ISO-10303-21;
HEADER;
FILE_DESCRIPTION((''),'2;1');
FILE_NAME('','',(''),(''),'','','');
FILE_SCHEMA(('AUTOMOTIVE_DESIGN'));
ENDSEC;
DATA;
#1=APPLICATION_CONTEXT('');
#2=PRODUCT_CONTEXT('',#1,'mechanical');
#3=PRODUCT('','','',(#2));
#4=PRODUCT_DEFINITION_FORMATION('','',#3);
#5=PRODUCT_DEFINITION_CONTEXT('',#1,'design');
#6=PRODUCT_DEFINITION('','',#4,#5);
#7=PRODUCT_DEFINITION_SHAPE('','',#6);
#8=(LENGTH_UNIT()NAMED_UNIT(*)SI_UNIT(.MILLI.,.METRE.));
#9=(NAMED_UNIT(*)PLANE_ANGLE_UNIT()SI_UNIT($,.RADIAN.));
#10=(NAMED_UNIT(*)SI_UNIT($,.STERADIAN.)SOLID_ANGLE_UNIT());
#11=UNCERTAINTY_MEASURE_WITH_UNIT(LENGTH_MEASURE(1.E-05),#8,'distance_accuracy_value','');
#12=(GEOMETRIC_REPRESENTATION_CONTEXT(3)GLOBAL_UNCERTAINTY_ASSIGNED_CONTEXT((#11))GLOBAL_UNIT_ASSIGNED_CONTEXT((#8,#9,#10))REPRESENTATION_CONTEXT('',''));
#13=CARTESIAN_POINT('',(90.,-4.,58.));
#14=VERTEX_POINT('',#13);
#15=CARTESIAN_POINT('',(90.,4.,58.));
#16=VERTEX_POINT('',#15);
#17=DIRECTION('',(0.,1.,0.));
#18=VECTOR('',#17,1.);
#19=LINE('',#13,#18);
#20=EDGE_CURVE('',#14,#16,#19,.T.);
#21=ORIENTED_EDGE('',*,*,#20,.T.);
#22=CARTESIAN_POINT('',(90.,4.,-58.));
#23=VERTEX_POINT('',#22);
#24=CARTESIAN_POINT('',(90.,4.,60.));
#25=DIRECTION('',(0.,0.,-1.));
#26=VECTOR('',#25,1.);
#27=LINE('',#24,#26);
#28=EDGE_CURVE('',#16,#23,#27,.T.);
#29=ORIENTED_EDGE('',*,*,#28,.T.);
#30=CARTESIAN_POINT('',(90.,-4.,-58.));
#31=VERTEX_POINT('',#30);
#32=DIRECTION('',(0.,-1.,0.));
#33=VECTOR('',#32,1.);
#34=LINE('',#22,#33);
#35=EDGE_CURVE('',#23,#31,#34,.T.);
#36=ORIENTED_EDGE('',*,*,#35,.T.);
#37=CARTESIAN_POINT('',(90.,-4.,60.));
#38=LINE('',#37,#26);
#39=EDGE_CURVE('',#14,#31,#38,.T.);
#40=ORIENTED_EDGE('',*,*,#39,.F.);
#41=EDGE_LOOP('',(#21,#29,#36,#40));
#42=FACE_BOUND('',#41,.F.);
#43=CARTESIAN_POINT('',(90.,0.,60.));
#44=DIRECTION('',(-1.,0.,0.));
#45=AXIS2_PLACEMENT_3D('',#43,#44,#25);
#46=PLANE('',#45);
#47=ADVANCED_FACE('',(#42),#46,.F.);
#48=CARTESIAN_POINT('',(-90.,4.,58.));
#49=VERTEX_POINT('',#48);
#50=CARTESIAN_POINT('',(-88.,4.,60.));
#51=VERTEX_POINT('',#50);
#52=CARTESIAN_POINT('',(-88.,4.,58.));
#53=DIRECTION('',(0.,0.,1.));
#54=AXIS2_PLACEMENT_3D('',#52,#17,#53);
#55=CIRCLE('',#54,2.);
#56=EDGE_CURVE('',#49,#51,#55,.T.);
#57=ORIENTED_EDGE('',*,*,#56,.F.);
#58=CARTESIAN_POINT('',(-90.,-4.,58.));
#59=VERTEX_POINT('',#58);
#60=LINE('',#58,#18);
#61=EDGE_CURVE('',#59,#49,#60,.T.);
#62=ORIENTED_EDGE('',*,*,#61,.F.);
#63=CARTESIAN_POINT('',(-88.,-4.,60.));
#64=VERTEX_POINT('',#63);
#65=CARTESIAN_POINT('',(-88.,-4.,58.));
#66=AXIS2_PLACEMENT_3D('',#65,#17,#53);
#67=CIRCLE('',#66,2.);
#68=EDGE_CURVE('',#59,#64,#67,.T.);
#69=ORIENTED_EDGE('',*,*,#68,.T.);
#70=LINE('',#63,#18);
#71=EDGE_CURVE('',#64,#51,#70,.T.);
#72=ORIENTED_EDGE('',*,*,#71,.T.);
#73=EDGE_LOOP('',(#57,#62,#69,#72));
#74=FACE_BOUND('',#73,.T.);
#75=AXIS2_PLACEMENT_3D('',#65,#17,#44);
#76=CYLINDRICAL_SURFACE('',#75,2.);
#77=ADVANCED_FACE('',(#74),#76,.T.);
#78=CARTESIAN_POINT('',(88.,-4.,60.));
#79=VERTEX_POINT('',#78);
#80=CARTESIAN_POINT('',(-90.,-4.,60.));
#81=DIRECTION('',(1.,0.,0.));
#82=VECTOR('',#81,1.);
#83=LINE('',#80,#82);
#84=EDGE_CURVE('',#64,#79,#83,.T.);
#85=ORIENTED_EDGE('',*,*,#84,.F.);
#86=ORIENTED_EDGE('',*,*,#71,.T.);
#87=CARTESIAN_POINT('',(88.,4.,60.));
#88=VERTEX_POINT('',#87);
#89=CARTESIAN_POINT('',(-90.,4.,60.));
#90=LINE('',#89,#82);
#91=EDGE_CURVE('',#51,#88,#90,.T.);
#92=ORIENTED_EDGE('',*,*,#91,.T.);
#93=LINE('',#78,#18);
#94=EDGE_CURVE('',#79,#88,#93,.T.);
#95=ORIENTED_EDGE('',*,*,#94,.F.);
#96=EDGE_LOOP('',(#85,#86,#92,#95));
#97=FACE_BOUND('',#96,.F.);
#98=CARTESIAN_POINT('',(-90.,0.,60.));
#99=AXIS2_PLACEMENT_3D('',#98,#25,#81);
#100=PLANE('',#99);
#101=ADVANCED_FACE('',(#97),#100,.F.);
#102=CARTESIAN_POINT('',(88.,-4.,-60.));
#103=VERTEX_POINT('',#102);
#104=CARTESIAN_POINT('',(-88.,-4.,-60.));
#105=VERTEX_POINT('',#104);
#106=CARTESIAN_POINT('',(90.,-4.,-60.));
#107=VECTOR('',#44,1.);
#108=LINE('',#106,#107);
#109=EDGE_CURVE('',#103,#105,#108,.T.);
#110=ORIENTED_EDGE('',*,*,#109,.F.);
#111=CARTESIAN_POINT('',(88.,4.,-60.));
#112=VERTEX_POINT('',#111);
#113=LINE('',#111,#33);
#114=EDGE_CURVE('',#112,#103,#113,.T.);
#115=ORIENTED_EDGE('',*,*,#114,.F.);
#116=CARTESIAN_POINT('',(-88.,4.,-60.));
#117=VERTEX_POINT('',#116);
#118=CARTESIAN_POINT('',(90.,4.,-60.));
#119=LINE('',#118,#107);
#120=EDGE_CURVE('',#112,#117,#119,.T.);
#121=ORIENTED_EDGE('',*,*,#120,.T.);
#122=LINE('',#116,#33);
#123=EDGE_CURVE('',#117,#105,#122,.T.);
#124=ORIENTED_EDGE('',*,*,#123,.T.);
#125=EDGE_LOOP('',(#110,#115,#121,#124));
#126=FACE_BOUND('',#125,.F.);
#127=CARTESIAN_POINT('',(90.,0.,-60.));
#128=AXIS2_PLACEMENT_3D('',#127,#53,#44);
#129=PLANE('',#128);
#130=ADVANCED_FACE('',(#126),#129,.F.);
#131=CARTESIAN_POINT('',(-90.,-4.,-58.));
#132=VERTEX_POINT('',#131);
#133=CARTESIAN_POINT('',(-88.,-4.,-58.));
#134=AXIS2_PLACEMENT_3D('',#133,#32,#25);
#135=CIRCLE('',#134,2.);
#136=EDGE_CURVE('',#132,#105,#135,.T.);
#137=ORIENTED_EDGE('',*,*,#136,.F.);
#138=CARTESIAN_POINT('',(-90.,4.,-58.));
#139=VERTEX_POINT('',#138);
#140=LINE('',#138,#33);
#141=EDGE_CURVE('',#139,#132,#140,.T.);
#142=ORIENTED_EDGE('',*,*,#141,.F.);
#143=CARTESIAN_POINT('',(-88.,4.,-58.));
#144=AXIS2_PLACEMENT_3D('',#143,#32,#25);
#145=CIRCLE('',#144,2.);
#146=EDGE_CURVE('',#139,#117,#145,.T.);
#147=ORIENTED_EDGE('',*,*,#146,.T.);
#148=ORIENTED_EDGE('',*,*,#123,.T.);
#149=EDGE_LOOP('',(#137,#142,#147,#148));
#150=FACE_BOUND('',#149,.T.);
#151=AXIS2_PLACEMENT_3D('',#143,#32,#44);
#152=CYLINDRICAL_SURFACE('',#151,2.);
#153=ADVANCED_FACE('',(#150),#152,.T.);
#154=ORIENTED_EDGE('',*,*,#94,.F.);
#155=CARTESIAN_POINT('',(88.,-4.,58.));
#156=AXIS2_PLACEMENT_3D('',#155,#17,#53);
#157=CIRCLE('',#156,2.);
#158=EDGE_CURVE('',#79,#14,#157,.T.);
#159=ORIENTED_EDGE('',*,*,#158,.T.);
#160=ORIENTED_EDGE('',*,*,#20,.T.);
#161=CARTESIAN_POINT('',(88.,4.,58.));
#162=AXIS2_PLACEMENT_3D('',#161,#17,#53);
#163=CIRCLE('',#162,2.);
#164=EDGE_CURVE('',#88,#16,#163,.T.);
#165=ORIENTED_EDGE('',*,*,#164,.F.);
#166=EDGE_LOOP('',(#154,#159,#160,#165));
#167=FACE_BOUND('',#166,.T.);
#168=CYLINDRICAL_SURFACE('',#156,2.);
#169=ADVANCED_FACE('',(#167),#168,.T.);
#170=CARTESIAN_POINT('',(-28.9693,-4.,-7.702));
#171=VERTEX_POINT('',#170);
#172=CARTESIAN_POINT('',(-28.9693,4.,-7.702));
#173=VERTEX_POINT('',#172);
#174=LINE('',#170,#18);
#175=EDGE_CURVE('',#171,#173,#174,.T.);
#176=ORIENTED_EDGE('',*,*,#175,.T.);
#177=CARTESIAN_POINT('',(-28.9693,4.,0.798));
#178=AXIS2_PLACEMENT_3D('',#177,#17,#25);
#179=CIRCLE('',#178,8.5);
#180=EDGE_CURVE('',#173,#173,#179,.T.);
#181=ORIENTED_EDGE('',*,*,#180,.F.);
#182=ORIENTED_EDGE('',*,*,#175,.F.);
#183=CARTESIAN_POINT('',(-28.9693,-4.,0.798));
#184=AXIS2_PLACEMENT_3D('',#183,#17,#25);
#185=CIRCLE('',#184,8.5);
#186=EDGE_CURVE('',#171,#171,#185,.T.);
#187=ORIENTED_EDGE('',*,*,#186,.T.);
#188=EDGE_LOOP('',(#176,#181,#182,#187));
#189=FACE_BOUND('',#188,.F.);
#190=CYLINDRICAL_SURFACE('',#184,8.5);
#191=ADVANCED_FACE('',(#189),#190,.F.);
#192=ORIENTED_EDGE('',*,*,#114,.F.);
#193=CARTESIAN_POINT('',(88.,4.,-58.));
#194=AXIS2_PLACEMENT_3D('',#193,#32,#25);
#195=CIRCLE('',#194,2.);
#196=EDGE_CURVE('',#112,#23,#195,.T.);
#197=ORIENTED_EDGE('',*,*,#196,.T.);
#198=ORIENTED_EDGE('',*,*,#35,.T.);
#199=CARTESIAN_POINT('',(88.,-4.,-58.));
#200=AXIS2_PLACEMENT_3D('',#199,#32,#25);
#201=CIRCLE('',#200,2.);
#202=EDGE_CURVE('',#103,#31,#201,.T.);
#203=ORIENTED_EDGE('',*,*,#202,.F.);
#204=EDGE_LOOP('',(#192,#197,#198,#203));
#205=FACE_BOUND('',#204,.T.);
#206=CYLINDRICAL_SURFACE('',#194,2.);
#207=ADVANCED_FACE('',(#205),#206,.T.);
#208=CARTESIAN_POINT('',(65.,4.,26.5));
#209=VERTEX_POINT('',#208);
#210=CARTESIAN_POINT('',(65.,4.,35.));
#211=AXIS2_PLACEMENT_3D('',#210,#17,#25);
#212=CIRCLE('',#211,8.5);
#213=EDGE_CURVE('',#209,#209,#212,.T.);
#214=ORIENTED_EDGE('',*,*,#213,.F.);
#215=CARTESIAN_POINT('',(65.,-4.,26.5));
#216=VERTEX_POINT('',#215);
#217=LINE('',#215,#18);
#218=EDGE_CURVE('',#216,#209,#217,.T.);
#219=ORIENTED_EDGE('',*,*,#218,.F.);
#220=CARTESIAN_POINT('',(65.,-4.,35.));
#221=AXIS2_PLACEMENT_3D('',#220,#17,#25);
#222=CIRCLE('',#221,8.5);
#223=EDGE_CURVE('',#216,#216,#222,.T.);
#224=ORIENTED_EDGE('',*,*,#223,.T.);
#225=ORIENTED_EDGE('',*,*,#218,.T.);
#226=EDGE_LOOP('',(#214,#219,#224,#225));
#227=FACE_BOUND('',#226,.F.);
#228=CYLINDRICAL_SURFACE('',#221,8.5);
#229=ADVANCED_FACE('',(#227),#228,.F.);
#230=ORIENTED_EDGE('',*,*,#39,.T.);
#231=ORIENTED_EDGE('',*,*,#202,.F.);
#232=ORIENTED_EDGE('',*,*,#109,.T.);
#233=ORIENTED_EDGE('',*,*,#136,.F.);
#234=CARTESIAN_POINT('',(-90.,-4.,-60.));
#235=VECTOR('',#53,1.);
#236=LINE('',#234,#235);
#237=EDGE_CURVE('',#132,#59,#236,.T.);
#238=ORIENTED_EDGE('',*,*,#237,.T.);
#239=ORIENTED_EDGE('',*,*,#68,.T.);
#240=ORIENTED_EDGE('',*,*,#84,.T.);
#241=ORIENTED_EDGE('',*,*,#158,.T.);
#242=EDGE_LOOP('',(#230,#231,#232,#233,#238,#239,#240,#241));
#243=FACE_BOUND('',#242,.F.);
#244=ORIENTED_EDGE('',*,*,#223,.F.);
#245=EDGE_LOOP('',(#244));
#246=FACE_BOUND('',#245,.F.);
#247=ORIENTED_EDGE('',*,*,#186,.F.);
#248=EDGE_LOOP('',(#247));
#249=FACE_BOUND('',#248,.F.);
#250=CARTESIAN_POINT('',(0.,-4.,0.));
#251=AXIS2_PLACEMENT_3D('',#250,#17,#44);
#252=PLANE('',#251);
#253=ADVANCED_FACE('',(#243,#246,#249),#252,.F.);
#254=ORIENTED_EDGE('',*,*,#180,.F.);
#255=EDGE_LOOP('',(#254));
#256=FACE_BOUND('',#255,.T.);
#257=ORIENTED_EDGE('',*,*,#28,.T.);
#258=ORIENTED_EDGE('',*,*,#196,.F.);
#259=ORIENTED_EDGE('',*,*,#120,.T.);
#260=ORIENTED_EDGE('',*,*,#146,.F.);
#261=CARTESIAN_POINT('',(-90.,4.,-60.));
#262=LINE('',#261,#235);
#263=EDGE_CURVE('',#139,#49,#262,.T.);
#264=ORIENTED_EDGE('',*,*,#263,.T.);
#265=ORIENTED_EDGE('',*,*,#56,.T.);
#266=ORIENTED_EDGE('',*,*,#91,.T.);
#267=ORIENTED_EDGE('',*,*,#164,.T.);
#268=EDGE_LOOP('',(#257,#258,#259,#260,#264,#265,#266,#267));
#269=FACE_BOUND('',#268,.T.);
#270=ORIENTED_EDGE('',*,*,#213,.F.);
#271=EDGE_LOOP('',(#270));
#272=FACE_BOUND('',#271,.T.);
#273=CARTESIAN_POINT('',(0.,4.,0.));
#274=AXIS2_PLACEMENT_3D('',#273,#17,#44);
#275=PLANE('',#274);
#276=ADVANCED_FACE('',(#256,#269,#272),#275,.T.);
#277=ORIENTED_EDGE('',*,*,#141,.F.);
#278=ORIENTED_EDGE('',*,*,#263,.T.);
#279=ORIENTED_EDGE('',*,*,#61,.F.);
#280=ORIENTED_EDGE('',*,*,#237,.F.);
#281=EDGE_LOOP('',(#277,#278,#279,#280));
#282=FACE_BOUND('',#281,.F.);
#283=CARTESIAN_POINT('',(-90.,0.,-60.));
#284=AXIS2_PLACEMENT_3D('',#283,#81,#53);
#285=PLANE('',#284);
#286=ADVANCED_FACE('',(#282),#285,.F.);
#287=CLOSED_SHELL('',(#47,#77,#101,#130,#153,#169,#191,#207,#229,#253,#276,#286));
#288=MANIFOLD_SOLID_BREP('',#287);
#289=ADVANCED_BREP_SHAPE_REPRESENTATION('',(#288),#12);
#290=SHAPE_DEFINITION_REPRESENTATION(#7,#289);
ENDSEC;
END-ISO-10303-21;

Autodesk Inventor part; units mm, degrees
ref_plane "YZ Plane" through (0, 0, 0) normal (1, 0, 0) x (0, 1, 0)
ref_plane "XZ Plane" through (0, 0, 0) normal (0, 1, 0) x (-1, 0, 0)
ref_plane "XY Plane" through (0, 0, 0) normal (0, 0, 1) x (1, 0, 0)
sketch "Sketch1" plane through (0, 0, 0) normal (0, 1, 0) x (-1, 0, 0)
  line L0 (90, 60) -> (-90, 60)
  line L1 (-90, 60) -> (-90, -60)
  line L2 (-90, -60) -> (90, -60)
  line L3 (90, -60) -> (90, 60)
  point P0 (0, 0)
  point P1 (0, 60)
  point P2 (90, 0)
  dimension "d0" = 180
  dimension "d1" = 120
extrude "Plate1" add sketch "Sketch1" along normal mid plane 8
sketch "Sketch2" plane through (0, -4, 0) normal (0, -1, 0) x (1, 0, 0)
  line L0 (65, 35) -> (-28.9693, 0.798) construction
  line L1 (-90, -60) -> (-90, 60) projected
  line L2 (90, 60) -> (90, -60) projected
  point P0 (0, 0)
  point P1 (-90, 0)
  dimension "d17" = 100
  dimension "d18" = 25
  dimension "d19" = 25
  dimension "d20" = 70
hole "Hole1" at (65, -4, 35) at (-28.9693, -4, 0.798) direction (0, 1, 0) diameter 17 end through all
fillet "Fillet1" radius 2 4 edges at (90, 0, 60) (-90, 0, 60) (90, 0, -60) (-90, 0, -60)
equation "\"d19\" = d18"
equation "\"d8\" = Thickness"
equation "\"d2\" = Thickness"
equation "\"BendRadius\" = Thickness"
equation "\"BendReliefWidth\" = Thickness"
equation "\"BendReliefDepth\" = 0.5 * Thickness"
equation "\"CornerReliefSize\" = 4 * Thickness"
equation "\"MinimumRemnant\" = 2 * Thickness"
equation "\"TransitionRadius\" = BendRadius"
equation "\"JacobiRadiusSize\" = BendRadius"
equation "\"GapSize\" = Thickness"
equation "\"Thickness\" = 8"
properties part number "Ухо на стойку_CPY"
